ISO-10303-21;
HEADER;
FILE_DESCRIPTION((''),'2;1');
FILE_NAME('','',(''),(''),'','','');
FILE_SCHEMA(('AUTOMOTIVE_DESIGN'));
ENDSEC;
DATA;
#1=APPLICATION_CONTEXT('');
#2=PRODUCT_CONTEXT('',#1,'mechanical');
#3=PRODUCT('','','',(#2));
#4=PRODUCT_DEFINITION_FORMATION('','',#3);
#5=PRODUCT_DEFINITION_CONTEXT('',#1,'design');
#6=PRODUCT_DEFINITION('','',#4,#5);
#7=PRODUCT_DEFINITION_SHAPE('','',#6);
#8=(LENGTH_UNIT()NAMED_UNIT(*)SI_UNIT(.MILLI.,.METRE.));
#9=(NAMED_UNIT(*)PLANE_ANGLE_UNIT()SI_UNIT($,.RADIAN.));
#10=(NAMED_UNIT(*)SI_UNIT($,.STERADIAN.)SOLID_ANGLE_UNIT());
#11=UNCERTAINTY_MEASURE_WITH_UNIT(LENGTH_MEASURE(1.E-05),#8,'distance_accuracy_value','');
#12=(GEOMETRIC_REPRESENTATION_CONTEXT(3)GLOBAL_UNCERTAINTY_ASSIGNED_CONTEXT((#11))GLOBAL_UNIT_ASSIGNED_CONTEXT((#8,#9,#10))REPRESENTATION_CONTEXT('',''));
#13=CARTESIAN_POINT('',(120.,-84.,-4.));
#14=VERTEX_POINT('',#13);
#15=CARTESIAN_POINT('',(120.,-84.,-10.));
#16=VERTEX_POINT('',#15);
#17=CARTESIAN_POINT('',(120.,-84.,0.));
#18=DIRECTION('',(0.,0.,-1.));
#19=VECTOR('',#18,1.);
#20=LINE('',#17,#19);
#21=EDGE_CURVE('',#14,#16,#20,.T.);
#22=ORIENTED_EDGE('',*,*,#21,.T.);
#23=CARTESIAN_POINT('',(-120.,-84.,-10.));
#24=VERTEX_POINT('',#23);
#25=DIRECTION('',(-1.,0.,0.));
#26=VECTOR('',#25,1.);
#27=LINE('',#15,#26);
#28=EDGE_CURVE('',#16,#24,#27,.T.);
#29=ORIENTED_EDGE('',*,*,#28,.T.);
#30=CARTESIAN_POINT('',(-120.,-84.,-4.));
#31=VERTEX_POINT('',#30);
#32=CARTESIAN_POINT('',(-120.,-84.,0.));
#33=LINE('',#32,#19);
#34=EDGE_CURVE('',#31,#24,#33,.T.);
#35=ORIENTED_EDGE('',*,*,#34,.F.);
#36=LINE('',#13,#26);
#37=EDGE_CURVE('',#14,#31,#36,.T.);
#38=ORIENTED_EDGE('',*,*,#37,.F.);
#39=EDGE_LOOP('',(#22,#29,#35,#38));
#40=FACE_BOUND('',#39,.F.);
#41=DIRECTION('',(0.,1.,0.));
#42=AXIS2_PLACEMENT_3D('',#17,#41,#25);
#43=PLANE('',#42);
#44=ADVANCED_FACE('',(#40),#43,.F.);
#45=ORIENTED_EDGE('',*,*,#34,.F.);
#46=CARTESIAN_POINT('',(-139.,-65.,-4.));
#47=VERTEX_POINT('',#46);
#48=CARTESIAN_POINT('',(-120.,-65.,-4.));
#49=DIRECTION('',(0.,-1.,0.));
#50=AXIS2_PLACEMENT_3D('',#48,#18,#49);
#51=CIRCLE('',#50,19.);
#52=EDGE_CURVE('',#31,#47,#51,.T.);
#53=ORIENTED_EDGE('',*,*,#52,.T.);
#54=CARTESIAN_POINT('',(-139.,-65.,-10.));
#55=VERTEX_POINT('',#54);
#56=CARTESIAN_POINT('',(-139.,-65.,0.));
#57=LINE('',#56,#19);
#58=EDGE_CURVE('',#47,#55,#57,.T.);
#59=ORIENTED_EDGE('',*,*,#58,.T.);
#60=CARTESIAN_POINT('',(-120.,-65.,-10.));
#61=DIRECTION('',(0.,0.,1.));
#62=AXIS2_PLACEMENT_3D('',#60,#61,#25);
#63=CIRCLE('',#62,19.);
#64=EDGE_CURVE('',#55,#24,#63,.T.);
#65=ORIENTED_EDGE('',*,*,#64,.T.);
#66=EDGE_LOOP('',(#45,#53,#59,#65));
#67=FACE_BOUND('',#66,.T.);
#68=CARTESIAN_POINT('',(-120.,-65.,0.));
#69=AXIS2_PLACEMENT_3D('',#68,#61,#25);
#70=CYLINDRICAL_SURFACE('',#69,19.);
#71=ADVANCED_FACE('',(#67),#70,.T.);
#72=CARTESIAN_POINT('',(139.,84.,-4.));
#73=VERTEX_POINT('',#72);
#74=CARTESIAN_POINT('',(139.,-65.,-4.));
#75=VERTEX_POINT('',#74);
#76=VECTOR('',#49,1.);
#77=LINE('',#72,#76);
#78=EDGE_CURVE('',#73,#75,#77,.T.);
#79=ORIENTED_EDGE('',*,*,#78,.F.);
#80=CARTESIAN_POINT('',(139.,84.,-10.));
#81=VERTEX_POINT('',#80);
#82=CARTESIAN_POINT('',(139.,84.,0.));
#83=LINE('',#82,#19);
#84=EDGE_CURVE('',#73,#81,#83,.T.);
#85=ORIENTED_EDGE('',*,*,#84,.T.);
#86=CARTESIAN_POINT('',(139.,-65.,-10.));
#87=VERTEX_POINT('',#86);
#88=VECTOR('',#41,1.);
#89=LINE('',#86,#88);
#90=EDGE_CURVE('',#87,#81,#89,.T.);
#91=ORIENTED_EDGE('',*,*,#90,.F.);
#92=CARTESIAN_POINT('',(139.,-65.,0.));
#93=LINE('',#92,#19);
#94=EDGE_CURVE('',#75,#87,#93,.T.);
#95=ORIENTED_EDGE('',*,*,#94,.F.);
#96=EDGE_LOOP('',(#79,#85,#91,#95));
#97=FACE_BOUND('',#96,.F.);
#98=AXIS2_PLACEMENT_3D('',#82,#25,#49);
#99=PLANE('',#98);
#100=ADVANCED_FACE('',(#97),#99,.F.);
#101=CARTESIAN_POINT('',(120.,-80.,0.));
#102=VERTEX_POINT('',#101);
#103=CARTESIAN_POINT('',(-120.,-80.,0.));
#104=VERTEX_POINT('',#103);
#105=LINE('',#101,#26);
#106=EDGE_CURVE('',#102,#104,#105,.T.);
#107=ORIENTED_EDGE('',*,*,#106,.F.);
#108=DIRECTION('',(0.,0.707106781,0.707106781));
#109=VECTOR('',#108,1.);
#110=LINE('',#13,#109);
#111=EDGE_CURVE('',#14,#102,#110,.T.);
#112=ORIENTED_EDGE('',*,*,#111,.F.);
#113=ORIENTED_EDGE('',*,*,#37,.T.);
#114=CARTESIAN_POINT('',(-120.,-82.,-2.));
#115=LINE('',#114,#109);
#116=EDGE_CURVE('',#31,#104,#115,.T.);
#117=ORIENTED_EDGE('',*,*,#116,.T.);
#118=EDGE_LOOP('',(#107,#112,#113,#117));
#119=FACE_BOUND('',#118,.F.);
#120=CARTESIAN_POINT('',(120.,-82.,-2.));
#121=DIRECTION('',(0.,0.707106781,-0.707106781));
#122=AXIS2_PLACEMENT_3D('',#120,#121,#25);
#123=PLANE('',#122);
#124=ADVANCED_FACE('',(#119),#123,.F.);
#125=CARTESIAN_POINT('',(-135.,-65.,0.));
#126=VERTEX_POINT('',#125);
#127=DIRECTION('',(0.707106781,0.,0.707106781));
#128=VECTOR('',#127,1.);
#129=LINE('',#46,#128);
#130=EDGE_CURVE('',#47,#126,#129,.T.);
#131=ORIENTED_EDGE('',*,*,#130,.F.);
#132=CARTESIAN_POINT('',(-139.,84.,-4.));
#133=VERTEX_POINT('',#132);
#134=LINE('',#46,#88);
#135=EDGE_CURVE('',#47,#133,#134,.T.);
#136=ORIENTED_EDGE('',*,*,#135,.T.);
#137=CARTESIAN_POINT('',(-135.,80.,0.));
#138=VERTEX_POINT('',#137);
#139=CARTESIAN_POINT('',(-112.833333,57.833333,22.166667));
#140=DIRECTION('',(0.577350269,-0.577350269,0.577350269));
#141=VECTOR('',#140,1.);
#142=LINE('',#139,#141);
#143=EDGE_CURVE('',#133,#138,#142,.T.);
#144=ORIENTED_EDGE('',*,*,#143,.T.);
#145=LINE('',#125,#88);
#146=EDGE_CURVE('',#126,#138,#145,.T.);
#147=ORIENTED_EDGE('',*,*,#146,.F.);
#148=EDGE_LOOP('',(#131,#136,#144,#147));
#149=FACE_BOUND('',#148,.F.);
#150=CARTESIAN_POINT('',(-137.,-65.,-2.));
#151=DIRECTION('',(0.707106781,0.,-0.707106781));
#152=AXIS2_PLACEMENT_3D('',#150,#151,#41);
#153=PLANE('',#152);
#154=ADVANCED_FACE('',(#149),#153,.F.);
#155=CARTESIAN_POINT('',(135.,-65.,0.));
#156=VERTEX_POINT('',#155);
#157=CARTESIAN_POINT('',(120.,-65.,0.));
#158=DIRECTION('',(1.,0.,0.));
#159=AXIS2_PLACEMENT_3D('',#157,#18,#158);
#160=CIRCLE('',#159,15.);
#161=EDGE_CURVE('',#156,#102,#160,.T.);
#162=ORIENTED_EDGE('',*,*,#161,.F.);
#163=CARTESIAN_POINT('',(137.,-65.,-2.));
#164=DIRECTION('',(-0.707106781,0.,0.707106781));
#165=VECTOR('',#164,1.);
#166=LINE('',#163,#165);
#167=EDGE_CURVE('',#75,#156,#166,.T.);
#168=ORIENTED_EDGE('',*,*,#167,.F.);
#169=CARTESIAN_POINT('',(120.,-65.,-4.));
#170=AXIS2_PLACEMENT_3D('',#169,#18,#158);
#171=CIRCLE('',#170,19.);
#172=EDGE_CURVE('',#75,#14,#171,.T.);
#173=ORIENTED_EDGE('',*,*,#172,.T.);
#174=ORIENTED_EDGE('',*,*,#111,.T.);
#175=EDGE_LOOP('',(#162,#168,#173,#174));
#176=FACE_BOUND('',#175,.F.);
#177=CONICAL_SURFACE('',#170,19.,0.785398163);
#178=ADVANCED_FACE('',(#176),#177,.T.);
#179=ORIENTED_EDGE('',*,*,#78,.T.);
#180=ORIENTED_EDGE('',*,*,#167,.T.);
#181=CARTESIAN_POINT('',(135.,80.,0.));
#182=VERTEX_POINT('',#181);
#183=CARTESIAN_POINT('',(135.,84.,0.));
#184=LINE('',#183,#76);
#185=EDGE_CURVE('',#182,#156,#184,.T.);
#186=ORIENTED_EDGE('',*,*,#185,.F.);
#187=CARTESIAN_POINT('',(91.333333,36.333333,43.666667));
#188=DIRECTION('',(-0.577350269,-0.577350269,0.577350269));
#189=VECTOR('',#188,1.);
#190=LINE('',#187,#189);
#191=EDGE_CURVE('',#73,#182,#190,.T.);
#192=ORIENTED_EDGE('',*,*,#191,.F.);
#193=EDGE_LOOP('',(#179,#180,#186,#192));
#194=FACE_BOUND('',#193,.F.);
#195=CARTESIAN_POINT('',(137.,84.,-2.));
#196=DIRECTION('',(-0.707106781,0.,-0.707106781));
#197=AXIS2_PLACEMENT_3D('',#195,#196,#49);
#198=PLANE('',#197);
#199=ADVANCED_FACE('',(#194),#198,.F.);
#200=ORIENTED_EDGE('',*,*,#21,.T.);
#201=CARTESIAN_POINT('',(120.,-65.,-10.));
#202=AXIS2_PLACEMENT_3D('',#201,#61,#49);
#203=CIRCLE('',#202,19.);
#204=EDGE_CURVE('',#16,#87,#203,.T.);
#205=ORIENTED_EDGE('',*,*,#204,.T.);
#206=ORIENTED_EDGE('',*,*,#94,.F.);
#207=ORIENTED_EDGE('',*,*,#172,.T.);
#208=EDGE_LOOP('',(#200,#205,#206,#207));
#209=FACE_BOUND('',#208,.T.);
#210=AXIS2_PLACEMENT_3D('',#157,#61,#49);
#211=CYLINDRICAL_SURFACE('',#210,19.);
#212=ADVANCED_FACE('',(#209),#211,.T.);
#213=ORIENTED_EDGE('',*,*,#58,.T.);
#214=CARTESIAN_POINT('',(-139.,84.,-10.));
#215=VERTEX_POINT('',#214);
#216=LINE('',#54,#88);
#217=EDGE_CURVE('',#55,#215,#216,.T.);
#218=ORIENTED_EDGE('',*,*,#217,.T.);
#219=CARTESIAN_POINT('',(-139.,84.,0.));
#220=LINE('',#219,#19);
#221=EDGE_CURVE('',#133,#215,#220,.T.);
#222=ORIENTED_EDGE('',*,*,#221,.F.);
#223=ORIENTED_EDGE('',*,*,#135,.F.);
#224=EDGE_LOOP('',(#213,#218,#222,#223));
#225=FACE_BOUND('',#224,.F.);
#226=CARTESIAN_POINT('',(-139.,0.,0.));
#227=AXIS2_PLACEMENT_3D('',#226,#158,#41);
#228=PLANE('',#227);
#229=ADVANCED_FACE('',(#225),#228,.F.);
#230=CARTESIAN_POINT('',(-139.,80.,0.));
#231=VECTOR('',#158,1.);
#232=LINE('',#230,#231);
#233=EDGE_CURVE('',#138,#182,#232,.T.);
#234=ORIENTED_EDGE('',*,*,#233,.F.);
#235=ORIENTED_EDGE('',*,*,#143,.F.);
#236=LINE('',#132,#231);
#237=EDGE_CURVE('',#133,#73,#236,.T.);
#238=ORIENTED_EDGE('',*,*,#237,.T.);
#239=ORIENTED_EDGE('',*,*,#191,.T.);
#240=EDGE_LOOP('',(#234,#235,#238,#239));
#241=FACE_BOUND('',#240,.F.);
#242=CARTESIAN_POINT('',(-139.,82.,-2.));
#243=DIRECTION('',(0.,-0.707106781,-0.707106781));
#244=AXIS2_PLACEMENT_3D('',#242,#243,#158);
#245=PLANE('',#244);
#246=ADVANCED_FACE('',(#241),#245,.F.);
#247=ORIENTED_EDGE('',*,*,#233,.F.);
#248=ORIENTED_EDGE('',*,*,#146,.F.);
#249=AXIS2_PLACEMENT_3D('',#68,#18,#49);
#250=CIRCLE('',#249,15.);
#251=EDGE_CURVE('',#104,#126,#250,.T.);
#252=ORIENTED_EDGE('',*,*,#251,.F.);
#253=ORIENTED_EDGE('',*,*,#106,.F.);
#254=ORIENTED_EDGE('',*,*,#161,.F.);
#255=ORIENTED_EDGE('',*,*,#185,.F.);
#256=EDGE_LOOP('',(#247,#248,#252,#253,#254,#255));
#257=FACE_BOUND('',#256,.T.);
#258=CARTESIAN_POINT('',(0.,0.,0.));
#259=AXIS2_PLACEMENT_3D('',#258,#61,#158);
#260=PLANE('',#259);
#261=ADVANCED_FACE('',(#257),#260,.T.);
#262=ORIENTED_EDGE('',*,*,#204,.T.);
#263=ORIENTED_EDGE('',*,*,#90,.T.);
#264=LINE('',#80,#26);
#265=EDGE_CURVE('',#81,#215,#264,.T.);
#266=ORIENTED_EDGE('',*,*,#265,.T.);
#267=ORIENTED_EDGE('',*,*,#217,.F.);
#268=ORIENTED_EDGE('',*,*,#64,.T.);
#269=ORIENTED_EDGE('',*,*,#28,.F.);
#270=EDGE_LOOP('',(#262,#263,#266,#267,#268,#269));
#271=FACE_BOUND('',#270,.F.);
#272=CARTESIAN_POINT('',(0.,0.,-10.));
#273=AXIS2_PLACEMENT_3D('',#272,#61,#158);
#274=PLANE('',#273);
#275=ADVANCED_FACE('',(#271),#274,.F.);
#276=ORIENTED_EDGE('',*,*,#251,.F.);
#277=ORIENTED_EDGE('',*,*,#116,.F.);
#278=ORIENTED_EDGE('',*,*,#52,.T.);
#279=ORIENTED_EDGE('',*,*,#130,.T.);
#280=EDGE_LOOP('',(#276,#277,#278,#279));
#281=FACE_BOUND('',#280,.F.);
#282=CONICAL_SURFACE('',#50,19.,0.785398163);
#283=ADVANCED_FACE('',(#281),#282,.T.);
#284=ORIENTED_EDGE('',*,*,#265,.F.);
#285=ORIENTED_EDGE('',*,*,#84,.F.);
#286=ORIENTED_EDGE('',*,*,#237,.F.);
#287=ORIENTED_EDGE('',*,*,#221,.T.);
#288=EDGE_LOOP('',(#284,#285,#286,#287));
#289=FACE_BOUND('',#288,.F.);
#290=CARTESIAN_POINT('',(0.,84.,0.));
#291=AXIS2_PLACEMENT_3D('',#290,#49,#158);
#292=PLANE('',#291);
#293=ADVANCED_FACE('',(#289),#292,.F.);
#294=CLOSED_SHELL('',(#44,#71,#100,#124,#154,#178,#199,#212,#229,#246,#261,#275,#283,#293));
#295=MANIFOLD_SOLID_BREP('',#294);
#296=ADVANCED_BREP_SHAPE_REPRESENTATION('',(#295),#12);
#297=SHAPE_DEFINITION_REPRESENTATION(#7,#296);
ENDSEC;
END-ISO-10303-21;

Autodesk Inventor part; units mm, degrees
ref_plane "YZ Plane" through (0, 0, 0) normal (1, 0, 0) x (0, 1, 0)
ref_plane "XZ Plane" through (0, 0, 0) normal (0, 1, 0) x (-1, 0, 0)
ref_plane "XY Plane" through (0, 0, 0) normal (0, 0, 1) x (1, 0, 0)
sketch "Sketch1" plane through (0, 0, 0) normal (0, 0, 1) x (1, 0, 0)
  line L0 (0, 118.387) -> (0, -122.322) projected
  line L1 (-200.109, 0) -> (200.109, 0) projected
  line L2 (-139, 84) -> (139, 84)
  line L3 (139, 84) -> (139, -65)
  line L4 (120, -84) -> (-120, -84)
  line L5 (-139, -65) -> (-139, 84)
  arc A0 (-139, -65) -> (-120, -84) centre (-120, -65) ccw
  arc A1 (120, -84) -> (139, -65) centre (120, -65) ccw
  point P0 (0, 0)
  dimension "d0" = 278
  dimension "d1" = 168
  dimension "d2" = 19
extrude "Extrusion1" add sketch "Sketch1" against normal blind 10
chamfer "Chamfer1" distance 4 angle 45 6 edges at (139, 9.5, 0) (133.435, -78.435, 0) (0, -84, 0) (-133.435, -78.435, 0) (-139, 9.5, 0) (0, 84, 0)
properties part number "SlipersLåda 211018002"
